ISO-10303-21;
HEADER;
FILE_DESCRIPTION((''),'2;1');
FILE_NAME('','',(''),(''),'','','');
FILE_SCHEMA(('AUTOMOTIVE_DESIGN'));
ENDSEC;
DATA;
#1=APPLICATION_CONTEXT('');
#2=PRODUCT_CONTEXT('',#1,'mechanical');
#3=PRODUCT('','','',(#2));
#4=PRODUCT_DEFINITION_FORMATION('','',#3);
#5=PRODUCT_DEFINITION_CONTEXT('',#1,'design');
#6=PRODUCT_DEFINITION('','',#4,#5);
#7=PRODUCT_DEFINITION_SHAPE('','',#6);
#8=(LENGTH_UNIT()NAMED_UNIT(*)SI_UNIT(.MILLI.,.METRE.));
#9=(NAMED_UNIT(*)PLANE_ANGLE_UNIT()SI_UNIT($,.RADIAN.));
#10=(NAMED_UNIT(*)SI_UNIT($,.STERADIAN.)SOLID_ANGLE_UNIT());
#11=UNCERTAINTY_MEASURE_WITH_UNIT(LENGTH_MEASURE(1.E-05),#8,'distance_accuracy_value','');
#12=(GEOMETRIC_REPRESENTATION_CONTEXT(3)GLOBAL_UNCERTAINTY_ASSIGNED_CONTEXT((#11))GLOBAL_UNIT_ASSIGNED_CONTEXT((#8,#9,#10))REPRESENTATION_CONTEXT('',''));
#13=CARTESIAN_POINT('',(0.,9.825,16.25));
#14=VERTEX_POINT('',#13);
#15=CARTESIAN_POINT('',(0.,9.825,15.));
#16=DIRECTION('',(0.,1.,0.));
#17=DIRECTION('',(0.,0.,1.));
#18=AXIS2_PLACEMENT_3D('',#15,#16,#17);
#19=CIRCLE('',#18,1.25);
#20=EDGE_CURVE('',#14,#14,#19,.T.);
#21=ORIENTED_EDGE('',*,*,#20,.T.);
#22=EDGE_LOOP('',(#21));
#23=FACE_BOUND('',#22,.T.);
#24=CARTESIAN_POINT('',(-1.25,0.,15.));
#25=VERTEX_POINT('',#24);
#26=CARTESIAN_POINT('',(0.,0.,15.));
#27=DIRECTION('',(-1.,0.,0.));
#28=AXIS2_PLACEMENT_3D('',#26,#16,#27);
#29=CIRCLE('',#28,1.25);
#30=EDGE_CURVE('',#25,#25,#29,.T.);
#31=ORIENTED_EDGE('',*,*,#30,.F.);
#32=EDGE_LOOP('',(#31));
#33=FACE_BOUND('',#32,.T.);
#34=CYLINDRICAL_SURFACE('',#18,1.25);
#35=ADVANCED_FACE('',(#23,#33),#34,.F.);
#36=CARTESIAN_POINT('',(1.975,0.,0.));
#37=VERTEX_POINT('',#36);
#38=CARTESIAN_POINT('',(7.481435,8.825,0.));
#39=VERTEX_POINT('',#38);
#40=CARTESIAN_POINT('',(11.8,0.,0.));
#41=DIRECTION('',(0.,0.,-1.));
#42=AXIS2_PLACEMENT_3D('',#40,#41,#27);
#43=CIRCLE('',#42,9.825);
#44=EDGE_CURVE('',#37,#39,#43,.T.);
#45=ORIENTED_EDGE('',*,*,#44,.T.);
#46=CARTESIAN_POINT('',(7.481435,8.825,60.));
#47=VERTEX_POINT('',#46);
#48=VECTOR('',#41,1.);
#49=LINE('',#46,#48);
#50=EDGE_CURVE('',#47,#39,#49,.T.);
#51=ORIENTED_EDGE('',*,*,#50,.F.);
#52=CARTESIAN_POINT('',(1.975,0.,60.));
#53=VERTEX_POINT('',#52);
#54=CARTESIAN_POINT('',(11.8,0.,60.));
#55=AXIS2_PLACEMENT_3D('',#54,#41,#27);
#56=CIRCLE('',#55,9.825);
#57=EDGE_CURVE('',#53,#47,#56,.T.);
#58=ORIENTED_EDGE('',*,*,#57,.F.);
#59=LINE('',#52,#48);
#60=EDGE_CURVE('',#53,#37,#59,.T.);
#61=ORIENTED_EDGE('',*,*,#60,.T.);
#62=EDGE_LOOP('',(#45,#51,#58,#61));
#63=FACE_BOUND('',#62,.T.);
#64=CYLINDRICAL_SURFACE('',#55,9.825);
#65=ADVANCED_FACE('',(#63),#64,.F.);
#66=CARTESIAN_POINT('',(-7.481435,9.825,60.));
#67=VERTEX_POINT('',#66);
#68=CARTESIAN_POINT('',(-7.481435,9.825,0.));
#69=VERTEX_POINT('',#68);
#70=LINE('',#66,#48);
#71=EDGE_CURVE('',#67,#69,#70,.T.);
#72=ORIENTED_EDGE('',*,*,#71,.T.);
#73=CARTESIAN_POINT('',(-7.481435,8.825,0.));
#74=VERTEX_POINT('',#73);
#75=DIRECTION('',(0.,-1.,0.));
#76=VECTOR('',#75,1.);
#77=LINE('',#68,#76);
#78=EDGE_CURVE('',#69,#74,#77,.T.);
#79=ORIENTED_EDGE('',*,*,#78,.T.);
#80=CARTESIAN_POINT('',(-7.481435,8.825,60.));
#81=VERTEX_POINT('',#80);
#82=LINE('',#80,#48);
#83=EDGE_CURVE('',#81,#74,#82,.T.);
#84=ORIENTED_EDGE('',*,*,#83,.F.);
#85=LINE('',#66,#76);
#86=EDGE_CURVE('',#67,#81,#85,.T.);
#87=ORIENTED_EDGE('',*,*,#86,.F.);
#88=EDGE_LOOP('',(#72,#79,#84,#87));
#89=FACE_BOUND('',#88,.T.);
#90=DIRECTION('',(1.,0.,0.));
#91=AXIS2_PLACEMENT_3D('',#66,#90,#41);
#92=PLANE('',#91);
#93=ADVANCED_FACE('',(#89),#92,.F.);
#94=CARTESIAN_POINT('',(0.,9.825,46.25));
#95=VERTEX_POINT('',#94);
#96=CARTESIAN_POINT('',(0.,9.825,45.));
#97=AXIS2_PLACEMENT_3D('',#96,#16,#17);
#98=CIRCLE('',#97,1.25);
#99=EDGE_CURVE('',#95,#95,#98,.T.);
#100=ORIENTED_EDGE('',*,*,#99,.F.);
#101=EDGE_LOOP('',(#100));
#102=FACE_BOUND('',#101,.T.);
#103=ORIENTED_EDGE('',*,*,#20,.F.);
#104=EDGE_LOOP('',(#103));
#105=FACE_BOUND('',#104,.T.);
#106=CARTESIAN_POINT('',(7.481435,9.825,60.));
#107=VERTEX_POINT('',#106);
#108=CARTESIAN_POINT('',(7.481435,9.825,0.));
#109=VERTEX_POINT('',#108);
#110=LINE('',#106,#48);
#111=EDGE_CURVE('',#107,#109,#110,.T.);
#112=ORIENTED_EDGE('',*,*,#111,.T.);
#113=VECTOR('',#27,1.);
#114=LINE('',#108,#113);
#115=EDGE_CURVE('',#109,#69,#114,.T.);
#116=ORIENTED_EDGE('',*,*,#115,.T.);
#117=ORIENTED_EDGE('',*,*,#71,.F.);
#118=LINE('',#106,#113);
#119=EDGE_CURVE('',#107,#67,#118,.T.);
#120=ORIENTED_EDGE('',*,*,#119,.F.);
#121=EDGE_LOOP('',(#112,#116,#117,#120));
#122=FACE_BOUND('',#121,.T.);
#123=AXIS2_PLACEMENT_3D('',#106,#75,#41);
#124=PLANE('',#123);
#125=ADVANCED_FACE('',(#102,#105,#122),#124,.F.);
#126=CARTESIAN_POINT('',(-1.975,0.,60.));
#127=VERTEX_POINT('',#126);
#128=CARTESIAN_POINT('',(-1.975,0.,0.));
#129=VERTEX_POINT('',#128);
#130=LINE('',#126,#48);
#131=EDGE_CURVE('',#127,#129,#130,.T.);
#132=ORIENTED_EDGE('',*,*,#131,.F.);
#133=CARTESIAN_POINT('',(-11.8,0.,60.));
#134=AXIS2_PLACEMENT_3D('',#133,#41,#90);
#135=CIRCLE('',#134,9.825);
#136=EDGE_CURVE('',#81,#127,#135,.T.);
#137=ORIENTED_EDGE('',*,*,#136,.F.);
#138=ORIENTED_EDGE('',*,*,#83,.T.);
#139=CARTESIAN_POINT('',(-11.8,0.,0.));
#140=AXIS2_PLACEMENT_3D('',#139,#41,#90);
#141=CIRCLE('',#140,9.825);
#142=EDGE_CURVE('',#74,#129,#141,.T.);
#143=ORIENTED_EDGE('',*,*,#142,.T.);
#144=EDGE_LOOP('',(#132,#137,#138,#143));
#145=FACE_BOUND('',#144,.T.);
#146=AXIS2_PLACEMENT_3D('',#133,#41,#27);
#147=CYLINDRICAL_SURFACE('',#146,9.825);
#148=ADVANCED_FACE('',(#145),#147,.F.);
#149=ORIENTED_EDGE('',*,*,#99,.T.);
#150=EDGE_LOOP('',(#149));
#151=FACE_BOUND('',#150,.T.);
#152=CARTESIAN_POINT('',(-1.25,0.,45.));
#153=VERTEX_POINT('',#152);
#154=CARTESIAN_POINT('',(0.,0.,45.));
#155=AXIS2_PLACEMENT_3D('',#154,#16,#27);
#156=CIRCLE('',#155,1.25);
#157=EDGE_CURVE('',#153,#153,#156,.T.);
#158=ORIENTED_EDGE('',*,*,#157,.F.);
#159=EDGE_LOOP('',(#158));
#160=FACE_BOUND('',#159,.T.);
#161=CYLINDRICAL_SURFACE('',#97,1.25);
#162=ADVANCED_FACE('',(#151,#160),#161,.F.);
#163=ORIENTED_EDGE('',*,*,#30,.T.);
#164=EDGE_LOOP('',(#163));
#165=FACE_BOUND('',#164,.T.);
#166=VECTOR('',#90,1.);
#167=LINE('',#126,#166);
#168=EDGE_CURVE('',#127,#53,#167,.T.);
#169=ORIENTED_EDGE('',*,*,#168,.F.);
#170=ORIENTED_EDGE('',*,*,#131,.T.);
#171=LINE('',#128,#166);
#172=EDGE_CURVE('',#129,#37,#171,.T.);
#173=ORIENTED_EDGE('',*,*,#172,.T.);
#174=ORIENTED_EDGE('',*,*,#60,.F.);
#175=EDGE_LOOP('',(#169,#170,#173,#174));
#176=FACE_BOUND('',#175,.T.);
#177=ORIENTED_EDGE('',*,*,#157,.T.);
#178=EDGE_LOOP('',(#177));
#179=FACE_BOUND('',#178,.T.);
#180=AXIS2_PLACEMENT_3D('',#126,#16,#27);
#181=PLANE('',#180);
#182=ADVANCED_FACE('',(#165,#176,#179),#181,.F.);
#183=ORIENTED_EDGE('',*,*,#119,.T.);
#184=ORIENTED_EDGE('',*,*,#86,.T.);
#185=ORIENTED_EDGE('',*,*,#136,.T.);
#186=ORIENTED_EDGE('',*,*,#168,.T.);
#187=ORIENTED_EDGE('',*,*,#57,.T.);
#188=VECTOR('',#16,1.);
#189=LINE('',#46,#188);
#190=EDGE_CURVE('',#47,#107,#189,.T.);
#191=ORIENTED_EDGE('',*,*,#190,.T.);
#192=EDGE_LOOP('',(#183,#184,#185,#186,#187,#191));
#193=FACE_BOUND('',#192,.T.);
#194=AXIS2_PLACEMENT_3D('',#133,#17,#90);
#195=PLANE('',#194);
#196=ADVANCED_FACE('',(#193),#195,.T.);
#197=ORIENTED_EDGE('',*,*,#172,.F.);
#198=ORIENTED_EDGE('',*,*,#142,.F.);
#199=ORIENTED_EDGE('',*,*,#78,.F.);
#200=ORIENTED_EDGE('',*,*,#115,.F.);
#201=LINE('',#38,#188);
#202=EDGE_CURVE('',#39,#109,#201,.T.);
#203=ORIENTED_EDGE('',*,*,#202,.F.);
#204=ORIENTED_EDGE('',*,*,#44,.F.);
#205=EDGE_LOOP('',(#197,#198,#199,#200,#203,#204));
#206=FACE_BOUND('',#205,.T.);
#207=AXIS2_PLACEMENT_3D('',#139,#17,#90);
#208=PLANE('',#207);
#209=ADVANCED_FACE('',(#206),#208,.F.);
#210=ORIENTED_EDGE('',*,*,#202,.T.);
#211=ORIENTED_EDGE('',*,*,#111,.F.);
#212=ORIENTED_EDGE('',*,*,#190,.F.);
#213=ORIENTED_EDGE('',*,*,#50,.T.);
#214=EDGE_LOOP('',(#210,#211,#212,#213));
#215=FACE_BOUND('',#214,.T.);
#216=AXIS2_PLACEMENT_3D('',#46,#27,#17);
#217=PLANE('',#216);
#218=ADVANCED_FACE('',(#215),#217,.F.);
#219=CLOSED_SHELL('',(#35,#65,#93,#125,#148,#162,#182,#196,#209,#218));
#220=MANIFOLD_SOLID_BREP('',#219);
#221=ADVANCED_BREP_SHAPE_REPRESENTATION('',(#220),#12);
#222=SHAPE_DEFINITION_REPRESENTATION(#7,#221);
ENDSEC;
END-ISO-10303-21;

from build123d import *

# Parameters (mm, degrees)
BOSS_EXTRUDE1_DEPTH   = 60
F_2_5MM_DOWEL_HOLE1_D = 2.5


with BuildPart() as part:
    # Sketch1 → Boss-Extrude1 (new body)
    with BuildSketch(Plane.XY):
        with BuildLine():
            Line((-1.975, 0), (1.975, 0))
            ThreePointArc((1.975, 0), (3.464517951, 5.200996445), (7.481435424, 8.825))
            Line((7.481435424, 8.825), (7.481435424, 9.825))
            Line((7.481435424, 9.825), (-7.481435424, 9.825))
            Line((-7.481435424, 9.825), (-7.481435424, 8.825))
            ThreePointArc((-7.481435424, 8.825), (-3.464517951, 5.200996445), (-1.975, 0))
        make_face()
    extrude(amount=BOSS_EXTRUDE1_DEPTH)

    # Ø2.5mm Dowel Hole1 (through all)
    with Locations(Plane(origin=(0, 9.825, 45), x_dir=(0, 0, 1), z_dir=(0, 1, 0))):
        with Locations((0, 0), (-30, 0)):
            Hole(F_2_5MM_DOWEL_HOLE1_D / 2)


solid = part.part
